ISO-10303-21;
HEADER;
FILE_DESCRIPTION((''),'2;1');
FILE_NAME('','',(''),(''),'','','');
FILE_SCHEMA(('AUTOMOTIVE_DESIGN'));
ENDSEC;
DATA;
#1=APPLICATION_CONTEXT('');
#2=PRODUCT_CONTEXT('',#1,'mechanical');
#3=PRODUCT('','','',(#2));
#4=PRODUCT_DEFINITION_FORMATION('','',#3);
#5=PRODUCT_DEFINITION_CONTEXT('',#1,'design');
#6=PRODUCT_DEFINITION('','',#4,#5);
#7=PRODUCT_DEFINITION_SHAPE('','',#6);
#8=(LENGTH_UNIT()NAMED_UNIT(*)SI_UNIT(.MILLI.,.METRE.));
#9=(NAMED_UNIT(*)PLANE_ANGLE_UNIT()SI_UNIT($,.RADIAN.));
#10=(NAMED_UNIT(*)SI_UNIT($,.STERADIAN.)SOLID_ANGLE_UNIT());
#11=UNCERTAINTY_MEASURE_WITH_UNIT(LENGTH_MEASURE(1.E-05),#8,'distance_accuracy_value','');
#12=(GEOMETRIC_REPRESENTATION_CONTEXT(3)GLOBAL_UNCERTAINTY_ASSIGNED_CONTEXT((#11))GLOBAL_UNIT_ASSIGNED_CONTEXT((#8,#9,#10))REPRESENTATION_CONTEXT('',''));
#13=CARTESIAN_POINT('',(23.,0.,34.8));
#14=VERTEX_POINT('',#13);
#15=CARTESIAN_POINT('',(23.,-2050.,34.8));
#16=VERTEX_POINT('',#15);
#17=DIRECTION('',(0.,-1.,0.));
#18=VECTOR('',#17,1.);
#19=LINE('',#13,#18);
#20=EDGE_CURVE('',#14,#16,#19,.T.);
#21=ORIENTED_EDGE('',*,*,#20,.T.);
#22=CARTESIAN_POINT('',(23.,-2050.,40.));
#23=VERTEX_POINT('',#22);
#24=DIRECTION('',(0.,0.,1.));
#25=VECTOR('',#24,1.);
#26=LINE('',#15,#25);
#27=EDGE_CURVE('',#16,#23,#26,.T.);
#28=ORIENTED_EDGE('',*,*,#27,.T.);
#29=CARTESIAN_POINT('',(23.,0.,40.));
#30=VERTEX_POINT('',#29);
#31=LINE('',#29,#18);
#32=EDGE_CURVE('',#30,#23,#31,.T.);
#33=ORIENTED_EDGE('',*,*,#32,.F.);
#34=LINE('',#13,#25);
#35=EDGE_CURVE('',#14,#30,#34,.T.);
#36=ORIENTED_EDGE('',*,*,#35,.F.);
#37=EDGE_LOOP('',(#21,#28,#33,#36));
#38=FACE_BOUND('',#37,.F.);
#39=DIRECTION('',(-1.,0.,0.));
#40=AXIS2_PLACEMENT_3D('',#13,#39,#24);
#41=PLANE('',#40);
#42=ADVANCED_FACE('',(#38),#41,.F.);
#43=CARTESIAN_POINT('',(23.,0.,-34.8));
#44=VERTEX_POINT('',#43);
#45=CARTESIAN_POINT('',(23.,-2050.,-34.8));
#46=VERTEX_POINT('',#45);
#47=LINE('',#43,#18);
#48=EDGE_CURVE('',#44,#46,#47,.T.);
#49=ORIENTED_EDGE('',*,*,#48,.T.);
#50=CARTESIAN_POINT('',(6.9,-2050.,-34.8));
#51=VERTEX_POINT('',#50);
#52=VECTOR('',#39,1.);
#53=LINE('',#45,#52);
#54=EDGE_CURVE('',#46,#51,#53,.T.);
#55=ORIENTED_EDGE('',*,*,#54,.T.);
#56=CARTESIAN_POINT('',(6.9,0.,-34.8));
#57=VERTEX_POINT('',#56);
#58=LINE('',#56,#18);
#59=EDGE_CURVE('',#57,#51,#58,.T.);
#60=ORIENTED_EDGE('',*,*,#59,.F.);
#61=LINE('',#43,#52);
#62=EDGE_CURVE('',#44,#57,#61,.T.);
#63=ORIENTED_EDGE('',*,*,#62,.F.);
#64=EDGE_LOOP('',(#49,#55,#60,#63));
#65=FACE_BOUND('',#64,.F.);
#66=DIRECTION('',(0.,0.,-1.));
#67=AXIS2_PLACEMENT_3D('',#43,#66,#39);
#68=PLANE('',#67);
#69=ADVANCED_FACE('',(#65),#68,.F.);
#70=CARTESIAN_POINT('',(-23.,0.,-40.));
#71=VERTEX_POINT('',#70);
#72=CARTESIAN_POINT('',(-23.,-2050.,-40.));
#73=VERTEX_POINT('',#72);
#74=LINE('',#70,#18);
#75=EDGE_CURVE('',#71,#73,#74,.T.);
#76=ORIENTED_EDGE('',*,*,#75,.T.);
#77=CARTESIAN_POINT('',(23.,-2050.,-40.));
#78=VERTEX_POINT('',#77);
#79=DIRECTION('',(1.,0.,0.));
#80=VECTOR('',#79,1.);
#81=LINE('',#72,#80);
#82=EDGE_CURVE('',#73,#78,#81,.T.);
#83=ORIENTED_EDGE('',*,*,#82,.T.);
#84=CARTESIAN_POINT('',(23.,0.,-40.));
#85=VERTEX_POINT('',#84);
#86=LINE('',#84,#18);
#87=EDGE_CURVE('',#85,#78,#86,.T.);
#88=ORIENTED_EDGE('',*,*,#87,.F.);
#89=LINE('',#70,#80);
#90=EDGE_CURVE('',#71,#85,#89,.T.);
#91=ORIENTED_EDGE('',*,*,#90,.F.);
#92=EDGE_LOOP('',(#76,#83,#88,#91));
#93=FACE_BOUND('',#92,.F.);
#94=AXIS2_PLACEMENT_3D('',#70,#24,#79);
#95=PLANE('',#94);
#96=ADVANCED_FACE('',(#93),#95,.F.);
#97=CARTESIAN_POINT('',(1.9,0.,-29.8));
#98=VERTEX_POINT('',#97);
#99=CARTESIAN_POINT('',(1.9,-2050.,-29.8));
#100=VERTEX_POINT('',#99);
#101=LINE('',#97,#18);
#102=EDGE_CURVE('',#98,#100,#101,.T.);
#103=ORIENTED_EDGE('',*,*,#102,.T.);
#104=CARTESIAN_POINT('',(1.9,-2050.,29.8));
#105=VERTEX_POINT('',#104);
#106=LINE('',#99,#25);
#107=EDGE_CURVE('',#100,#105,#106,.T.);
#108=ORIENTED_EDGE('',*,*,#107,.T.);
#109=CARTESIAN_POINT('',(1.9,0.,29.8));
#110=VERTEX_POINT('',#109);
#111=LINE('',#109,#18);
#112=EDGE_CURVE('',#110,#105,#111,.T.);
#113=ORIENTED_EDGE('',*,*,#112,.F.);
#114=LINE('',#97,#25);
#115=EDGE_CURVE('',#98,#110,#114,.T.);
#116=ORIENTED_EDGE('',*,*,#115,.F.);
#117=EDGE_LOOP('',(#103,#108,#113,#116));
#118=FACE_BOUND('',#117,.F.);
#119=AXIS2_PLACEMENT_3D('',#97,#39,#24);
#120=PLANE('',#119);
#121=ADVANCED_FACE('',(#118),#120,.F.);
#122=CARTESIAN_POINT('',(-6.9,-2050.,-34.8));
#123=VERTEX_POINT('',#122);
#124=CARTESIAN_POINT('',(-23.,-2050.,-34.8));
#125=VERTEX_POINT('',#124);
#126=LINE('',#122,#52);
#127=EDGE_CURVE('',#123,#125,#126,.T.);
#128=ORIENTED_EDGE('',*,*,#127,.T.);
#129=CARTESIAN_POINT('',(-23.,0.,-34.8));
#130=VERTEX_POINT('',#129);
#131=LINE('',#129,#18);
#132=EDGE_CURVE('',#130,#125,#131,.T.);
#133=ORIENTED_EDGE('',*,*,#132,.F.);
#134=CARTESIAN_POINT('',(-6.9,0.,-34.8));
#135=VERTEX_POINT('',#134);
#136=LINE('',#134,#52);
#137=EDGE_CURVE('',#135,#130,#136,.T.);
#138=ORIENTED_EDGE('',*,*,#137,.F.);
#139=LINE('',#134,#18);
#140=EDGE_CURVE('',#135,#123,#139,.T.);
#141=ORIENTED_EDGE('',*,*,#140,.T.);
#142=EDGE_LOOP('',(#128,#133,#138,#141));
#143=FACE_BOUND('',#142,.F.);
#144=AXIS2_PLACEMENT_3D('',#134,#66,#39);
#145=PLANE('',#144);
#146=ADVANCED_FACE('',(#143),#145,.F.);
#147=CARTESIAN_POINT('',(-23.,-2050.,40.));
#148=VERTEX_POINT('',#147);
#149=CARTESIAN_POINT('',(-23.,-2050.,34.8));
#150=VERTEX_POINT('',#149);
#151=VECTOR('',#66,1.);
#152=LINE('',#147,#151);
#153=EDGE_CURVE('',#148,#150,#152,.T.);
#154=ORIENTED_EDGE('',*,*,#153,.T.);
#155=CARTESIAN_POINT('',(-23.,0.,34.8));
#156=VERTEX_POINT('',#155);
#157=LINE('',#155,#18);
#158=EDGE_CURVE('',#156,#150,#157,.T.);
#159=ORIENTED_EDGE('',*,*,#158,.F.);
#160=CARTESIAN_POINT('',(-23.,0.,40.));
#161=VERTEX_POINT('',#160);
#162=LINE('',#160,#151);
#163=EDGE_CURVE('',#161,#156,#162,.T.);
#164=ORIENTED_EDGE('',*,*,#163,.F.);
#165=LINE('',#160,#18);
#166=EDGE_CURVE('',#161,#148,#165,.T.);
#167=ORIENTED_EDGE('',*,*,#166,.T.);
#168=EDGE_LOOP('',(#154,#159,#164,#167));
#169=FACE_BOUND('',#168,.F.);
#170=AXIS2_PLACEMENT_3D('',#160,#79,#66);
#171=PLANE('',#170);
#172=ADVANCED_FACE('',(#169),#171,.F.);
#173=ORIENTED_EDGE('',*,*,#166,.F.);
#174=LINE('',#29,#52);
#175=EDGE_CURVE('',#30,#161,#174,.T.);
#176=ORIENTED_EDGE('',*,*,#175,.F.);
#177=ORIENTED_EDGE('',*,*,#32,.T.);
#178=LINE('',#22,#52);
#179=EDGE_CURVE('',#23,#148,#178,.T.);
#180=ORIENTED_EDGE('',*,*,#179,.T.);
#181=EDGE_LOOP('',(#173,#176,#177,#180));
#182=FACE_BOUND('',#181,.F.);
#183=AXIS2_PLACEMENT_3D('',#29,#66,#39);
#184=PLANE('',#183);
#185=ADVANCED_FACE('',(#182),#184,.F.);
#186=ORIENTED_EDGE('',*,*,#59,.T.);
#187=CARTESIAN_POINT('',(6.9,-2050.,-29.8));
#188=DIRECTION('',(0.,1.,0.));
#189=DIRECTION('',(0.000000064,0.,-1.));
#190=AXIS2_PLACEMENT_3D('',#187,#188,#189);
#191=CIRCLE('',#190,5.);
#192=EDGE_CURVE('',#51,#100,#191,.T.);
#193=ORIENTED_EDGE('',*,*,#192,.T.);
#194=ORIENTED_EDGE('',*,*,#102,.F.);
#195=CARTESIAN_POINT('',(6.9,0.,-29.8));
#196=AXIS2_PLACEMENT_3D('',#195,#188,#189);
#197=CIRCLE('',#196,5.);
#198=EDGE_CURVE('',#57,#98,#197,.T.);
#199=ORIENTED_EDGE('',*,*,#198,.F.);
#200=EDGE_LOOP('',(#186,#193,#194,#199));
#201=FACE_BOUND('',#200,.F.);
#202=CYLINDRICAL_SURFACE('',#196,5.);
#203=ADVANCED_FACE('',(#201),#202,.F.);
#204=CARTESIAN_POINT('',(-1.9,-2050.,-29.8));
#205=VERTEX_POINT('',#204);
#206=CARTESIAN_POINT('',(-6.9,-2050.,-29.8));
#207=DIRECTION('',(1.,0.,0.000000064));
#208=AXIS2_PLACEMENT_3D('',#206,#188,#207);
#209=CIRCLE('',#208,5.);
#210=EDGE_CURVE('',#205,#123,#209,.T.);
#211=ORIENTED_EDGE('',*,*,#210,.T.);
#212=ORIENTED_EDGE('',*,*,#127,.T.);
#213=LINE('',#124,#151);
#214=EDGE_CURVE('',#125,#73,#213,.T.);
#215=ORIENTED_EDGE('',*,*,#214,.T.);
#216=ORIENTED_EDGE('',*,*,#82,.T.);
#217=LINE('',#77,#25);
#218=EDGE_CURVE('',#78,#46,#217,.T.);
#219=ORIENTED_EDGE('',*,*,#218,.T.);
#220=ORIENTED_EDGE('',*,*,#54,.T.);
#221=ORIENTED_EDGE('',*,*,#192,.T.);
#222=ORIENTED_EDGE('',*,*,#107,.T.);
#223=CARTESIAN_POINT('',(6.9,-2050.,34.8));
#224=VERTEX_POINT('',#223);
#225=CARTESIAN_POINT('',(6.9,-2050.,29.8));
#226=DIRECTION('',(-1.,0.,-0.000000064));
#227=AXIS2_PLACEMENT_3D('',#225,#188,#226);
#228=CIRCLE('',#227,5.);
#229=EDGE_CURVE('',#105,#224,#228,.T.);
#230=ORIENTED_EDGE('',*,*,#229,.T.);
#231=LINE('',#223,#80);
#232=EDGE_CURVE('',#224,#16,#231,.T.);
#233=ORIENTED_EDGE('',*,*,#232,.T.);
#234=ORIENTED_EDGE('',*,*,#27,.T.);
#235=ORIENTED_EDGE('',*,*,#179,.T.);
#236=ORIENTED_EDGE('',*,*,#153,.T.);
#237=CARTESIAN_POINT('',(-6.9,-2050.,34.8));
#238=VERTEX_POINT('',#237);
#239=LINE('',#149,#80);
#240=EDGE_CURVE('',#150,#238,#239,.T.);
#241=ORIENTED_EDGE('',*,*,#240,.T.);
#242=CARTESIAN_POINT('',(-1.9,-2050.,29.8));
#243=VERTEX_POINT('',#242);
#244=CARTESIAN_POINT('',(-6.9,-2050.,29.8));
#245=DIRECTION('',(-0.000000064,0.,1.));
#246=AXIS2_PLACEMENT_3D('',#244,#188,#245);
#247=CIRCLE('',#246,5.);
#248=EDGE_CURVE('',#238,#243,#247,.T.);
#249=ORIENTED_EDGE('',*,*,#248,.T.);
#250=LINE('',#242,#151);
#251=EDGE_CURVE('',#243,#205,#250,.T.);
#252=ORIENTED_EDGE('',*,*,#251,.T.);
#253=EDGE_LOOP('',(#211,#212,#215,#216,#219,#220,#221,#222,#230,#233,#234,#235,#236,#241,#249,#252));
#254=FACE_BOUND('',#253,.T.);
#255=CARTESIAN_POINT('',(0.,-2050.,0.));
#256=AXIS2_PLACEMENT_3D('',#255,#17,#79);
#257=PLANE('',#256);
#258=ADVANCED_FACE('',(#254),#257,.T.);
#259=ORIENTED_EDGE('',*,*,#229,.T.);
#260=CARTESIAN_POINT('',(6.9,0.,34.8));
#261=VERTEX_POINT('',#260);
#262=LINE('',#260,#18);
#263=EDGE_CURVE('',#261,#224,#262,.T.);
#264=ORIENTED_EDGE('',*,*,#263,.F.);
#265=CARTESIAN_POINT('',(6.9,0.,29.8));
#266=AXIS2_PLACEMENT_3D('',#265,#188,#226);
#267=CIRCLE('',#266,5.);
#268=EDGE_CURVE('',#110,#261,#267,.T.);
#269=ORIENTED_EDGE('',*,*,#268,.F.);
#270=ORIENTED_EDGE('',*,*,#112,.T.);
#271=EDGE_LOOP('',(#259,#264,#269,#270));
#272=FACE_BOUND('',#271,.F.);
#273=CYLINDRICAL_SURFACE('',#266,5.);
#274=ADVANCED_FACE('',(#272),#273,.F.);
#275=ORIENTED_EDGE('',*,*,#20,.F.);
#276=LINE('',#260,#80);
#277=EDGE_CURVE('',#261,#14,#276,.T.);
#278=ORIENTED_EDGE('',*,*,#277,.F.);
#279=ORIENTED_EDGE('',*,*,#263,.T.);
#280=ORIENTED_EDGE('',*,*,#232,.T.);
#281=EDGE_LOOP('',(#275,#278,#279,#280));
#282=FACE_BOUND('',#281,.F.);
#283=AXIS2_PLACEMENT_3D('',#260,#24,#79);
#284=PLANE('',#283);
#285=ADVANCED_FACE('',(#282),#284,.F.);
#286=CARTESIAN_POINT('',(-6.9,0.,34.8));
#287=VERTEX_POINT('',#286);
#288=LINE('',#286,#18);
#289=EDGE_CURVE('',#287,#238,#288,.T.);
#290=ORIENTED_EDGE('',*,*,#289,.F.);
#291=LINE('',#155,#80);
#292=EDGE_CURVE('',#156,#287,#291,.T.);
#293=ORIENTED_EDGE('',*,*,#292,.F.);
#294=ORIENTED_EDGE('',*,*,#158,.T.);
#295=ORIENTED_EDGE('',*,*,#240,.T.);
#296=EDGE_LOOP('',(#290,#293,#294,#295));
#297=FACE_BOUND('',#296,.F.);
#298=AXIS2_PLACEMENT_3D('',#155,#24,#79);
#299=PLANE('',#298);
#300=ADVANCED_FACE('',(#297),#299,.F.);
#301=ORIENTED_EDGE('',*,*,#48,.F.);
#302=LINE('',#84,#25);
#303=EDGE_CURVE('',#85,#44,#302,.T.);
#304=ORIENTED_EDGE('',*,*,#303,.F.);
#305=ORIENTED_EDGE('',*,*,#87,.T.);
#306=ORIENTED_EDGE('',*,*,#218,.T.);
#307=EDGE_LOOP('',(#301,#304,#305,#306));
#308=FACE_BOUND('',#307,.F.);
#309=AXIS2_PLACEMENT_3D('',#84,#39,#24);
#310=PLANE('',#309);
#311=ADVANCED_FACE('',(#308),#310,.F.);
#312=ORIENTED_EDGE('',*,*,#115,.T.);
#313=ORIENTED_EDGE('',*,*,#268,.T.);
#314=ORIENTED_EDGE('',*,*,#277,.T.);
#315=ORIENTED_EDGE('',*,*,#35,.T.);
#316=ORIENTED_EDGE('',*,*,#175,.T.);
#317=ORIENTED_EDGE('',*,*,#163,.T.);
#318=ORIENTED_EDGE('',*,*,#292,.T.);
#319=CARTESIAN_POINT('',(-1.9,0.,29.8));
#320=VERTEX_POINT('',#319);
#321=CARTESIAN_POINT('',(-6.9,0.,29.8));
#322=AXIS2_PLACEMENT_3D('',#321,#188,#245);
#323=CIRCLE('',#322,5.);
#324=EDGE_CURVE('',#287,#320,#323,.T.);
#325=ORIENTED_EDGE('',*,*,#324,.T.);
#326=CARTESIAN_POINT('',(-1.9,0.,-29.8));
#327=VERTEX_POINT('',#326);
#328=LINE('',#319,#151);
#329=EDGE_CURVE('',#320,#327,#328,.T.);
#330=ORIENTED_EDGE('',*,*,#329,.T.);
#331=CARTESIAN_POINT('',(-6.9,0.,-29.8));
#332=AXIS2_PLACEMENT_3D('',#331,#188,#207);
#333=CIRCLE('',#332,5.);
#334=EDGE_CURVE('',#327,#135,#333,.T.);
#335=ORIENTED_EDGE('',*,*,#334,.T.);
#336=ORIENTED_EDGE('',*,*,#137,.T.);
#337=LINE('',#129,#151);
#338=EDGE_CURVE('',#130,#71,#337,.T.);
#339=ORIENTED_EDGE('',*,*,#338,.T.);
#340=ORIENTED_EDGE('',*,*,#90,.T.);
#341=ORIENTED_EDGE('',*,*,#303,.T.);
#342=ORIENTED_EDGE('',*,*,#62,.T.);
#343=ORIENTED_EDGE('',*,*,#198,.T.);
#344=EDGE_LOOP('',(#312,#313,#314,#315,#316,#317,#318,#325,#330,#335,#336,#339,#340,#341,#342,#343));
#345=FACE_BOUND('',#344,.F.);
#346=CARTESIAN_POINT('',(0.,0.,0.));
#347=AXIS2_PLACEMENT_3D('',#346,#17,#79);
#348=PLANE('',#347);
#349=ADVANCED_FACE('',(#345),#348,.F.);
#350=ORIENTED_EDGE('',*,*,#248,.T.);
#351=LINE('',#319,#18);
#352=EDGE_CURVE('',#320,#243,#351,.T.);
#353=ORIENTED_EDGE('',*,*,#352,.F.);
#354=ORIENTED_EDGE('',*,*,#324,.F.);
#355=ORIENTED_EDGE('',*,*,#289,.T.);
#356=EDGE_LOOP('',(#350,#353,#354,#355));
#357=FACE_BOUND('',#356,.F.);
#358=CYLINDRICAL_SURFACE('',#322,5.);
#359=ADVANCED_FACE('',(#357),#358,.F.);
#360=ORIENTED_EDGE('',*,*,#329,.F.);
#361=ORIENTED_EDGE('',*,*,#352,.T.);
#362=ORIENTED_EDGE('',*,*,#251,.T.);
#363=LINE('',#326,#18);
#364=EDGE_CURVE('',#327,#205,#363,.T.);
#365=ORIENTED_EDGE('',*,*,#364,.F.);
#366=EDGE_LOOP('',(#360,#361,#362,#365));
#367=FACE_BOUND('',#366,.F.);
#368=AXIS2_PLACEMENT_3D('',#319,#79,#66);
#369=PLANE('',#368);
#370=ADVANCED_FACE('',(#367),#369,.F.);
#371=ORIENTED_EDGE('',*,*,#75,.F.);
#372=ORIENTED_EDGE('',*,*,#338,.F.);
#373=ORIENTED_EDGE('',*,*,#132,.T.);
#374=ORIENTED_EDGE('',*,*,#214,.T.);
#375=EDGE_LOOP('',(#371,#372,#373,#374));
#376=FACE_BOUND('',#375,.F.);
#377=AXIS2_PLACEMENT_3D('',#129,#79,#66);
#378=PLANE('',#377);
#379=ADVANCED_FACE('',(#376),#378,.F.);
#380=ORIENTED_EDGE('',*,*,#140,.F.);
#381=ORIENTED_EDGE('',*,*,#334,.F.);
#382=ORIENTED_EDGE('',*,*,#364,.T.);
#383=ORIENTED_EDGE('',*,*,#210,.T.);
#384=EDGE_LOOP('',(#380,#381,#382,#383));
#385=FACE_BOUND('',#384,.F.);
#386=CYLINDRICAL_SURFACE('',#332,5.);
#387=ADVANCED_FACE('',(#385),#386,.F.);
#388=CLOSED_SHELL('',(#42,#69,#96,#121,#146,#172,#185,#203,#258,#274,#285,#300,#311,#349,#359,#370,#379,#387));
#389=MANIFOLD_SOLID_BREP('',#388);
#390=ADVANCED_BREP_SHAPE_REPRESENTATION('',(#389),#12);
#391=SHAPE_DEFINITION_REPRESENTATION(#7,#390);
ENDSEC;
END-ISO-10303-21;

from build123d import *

# Parameters (mm, degrees)
F1_DEPTH = 2050


with BuildPart() as f1:
    # F0 (on Front) → F1 (new body)
    with BuildSketch(Plane.XZ):
        with BuildLine():
            Line((0, 40), (-23, 40))
            Line((-23, 40), (-23, 34.8))
            Line((-23, 34.8), (-6.9, 34.8))
            ThreePointArc((-6.9, 34.8), (-3.364466, 33.335534), (-1.9, 29.8))
            Line((-1.9, 29.8), (-1.9, 0))
            Line((-1.9, 0), (-1.9, -29.8))
            ThreePointArc((-1.9, -29.8), (-3.364466, -33.335534), (-6.9, -34.8))
            Line((-6.9, -34.8), (-23, -34.8))
            Line((-23, -34.8), (-23, -40))
            Line((-23, -40), (0, -40))
            Line((0, -40), (23, -40))
            Line((23, -40), (23, -34.8))
            Line((23, -34.8), (6.9, -34.8))
            ThreePointArc((6.9, -34.8), (3.364466, -33.335534), (1.9, -29.8))
            Line((1.9, -29.8), (1.9, 0))
            Line((1.9, 0), (1.9, 29.8))
            ThreePointArc((1.9, 29.8), (3.364466, 33.335534), (6.9, 34.8))
            Line((6.9, 34.8), (23, 34.8))
            Line((23, 34.8), (23, 40))
            Line((23, 40), (0, 40))
        make_face()
    extrude(amount=F1_DEPTH)


solid = f1.part
